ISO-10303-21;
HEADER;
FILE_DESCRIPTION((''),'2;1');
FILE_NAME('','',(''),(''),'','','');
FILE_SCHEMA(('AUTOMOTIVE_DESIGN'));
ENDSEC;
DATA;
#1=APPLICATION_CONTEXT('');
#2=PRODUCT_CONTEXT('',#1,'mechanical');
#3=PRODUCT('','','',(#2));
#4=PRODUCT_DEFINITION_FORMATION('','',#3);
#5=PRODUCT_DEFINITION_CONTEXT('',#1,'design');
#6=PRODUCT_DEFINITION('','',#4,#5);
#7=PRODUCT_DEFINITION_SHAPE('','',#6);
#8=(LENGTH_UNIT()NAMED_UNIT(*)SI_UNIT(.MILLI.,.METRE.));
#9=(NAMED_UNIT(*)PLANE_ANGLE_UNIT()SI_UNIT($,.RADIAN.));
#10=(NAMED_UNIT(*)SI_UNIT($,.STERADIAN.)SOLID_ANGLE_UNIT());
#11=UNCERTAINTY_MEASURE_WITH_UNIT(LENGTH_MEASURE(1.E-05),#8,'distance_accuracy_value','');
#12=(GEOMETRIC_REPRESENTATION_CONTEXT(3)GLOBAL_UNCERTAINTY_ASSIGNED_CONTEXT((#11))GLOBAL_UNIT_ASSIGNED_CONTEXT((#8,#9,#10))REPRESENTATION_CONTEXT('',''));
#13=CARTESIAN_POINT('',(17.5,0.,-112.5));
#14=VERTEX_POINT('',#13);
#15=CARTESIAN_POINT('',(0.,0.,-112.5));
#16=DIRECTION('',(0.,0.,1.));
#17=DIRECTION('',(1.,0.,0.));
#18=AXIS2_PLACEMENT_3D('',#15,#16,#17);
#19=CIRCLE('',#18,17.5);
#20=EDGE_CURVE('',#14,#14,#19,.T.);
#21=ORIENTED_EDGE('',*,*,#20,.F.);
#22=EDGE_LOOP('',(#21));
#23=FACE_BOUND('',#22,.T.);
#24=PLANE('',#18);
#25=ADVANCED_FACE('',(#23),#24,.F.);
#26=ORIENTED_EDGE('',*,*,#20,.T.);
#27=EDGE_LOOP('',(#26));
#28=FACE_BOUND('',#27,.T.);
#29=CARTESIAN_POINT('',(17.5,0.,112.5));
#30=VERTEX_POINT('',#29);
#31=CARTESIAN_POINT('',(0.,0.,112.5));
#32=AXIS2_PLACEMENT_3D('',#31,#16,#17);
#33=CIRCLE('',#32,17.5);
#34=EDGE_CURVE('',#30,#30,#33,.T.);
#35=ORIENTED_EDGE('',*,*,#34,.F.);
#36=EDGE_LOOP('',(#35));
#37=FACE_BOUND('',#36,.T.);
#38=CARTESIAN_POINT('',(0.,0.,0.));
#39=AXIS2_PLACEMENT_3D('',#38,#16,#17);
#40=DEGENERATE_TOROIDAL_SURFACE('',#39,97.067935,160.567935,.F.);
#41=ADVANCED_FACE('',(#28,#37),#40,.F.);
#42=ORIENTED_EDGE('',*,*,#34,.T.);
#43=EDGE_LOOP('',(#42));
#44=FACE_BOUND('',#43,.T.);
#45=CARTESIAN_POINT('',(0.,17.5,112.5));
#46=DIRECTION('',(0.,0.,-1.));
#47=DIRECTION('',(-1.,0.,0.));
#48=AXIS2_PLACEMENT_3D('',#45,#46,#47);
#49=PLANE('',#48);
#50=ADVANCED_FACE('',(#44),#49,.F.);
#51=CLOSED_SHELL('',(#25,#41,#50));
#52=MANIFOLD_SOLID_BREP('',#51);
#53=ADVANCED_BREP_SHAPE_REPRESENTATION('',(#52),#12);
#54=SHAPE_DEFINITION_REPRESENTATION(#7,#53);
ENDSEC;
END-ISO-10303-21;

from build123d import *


with BuildPart() as part:
    # Sketch1 → Revolve1 (revolve)
    with BuildSketch(Plane(origin=(0, 0, 0), x_dir=(0, 0, -1), z_dir=(1, 0, 0))):
        with BuildLine():
            Line((-112.5, 17.5), (-112.5, 0))
            Line((-112.5, 0), (112.5, 0))
            Line((112.5, 0), (112.5, 17.5))
            ThreePointArc((112.5, 17.5), (0, 63.5), (-112.5, 17.5))
        make_face()
    revolve(axis=Axis((0, 0, 112.5), (0, 0, -1)))


solid = part.part
